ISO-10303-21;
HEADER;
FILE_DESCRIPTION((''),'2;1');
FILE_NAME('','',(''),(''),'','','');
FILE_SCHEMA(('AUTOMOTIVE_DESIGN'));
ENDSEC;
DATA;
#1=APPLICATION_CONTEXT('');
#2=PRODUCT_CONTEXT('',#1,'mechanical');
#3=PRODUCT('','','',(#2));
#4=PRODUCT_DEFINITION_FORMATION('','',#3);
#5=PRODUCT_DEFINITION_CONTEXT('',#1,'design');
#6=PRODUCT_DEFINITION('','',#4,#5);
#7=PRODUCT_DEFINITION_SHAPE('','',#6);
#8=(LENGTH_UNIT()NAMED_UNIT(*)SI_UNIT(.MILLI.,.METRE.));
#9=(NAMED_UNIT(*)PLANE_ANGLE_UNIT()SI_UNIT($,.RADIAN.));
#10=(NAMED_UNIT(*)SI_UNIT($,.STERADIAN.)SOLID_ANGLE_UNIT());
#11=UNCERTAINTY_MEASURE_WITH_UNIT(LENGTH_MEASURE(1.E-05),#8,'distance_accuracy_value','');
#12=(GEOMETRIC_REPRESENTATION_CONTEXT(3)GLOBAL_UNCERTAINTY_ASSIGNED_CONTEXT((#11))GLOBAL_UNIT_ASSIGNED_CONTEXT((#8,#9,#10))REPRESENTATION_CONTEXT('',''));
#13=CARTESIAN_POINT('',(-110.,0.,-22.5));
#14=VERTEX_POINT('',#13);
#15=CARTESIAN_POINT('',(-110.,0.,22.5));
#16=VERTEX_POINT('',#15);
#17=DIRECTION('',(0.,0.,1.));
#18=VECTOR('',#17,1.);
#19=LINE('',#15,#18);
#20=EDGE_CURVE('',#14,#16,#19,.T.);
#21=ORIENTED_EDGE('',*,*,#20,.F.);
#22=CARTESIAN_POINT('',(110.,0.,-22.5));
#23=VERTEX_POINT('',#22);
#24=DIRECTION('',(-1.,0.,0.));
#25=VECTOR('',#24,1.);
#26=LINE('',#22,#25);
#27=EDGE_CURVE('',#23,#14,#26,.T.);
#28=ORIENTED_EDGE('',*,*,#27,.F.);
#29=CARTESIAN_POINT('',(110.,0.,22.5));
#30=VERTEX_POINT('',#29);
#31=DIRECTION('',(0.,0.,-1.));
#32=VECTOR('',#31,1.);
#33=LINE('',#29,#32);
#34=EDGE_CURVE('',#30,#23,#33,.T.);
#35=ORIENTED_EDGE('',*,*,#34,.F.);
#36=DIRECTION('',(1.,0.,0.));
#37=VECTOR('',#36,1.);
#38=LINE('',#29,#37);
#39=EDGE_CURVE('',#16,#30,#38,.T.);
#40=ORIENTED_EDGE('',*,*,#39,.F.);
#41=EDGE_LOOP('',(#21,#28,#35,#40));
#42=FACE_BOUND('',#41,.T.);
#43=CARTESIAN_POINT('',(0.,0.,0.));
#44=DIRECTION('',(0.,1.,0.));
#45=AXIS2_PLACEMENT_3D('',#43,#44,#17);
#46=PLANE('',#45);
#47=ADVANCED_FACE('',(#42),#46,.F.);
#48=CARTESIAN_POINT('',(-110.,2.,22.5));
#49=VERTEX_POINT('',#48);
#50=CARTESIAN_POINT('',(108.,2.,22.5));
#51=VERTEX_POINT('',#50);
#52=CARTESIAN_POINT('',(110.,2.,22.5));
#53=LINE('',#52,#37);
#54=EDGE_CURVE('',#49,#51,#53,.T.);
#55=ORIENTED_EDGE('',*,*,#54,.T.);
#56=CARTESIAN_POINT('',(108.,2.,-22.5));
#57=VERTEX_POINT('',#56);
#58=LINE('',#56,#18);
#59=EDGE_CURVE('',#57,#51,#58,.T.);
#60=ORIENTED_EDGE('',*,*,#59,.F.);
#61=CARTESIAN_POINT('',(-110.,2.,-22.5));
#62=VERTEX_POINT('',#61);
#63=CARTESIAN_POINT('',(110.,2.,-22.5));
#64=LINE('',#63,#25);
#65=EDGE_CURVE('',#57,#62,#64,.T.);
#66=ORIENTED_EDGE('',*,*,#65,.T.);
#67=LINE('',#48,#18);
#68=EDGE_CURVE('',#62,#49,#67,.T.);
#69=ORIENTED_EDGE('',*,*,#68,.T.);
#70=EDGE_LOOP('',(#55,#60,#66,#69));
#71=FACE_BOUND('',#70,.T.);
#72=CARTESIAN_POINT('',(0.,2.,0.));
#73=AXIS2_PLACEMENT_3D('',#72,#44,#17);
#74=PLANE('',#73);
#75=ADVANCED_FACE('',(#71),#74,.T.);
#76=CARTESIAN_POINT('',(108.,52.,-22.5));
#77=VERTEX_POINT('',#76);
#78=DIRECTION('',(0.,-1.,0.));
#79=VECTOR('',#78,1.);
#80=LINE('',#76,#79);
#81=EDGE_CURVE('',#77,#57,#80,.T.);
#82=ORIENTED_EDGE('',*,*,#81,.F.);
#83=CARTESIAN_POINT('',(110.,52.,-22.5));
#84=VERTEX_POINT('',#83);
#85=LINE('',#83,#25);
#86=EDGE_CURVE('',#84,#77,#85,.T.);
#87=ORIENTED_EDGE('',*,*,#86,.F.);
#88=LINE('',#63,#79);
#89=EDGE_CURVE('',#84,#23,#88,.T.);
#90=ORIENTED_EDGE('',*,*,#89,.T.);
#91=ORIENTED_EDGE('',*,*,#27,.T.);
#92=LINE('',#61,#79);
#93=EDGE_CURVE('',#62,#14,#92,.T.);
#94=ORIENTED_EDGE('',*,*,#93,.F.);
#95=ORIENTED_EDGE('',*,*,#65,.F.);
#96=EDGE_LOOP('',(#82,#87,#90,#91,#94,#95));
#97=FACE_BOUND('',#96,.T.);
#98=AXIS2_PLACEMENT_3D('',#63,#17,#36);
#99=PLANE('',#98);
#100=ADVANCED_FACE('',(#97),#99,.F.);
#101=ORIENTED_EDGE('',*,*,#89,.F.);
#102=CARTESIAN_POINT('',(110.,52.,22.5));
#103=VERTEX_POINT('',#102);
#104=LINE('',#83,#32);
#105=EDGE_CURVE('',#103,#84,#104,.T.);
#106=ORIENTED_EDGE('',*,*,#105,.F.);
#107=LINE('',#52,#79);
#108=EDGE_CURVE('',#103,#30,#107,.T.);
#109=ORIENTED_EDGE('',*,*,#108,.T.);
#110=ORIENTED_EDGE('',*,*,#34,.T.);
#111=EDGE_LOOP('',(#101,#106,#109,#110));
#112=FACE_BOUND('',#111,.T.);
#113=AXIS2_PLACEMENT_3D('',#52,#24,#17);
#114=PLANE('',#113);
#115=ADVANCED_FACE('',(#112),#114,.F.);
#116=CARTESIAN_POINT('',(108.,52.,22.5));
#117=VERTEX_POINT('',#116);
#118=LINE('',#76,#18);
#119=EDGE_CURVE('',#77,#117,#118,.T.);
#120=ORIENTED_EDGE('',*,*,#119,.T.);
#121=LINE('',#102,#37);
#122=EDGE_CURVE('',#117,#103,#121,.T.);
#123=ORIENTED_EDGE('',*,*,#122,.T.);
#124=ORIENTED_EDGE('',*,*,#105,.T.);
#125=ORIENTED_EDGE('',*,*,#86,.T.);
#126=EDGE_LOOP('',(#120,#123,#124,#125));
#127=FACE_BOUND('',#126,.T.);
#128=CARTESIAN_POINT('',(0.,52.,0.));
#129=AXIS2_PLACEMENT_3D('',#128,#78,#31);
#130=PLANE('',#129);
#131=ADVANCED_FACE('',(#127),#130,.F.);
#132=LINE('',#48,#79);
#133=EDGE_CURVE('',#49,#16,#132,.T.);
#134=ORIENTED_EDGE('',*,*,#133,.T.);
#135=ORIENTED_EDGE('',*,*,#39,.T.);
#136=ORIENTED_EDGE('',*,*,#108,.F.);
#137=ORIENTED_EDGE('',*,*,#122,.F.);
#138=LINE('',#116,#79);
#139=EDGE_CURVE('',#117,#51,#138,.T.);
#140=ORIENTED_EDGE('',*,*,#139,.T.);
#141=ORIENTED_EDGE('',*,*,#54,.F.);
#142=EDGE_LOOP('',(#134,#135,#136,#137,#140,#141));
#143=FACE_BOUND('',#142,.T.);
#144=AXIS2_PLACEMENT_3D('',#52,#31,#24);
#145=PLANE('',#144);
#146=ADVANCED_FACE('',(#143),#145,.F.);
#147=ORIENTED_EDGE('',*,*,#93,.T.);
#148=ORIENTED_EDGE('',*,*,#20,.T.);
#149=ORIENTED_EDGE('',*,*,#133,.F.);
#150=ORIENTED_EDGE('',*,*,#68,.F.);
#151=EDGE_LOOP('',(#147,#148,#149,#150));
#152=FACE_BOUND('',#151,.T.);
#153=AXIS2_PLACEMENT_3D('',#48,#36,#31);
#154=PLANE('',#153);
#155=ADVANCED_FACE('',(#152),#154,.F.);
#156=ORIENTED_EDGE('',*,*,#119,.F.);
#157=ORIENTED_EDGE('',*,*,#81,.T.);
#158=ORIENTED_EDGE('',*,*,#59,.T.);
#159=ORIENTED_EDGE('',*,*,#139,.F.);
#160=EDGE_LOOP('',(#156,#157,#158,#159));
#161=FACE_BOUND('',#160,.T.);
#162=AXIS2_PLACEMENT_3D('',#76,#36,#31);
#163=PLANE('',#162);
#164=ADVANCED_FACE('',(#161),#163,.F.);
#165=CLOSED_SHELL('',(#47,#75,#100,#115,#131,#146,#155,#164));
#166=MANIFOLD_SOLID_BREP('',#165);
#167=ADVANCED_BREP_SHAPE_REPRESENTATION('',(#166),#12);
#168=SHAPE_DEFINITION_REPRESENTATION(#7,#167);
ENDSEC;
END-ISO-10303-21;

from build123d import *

# Parameters (mm, degrees)
SKETCH_1_W      = 220
SKETCH_1_H      = 45
EXTRUDE_1_DEPTH = 2
SKETCH_2_W      = 2
SKETCH_2_H      = 45
EXTRUDE_2_DEPTH = 50


with BuildPart() as part:
    # 草图1 → 凸台-拉伸1 (new body)
    with BuildSketch(Plane(origin=(0, 0, 0), x_dir=(1, 0, 0), z_dir=(0, 1, 0))):
        Rectangle(SKETCH_1_W, SKETCH_1_H)
    extrude(amount=EXTRUDE_1_DEPTH)

    # 草图2 → 凸台-拉伸2 (add)
    with BuildSketch(Plane(origin=(0, 2, 0), x_dir=(1, 0, 0), z_dir=(0, 1, 0))):
        with Locations((109, 0)):
            Rectangle(SKETCH_2_W, SKETCH_2_H)
    extrude(amount=EXTRUDE_2_DEPTH)


solid = part.part
